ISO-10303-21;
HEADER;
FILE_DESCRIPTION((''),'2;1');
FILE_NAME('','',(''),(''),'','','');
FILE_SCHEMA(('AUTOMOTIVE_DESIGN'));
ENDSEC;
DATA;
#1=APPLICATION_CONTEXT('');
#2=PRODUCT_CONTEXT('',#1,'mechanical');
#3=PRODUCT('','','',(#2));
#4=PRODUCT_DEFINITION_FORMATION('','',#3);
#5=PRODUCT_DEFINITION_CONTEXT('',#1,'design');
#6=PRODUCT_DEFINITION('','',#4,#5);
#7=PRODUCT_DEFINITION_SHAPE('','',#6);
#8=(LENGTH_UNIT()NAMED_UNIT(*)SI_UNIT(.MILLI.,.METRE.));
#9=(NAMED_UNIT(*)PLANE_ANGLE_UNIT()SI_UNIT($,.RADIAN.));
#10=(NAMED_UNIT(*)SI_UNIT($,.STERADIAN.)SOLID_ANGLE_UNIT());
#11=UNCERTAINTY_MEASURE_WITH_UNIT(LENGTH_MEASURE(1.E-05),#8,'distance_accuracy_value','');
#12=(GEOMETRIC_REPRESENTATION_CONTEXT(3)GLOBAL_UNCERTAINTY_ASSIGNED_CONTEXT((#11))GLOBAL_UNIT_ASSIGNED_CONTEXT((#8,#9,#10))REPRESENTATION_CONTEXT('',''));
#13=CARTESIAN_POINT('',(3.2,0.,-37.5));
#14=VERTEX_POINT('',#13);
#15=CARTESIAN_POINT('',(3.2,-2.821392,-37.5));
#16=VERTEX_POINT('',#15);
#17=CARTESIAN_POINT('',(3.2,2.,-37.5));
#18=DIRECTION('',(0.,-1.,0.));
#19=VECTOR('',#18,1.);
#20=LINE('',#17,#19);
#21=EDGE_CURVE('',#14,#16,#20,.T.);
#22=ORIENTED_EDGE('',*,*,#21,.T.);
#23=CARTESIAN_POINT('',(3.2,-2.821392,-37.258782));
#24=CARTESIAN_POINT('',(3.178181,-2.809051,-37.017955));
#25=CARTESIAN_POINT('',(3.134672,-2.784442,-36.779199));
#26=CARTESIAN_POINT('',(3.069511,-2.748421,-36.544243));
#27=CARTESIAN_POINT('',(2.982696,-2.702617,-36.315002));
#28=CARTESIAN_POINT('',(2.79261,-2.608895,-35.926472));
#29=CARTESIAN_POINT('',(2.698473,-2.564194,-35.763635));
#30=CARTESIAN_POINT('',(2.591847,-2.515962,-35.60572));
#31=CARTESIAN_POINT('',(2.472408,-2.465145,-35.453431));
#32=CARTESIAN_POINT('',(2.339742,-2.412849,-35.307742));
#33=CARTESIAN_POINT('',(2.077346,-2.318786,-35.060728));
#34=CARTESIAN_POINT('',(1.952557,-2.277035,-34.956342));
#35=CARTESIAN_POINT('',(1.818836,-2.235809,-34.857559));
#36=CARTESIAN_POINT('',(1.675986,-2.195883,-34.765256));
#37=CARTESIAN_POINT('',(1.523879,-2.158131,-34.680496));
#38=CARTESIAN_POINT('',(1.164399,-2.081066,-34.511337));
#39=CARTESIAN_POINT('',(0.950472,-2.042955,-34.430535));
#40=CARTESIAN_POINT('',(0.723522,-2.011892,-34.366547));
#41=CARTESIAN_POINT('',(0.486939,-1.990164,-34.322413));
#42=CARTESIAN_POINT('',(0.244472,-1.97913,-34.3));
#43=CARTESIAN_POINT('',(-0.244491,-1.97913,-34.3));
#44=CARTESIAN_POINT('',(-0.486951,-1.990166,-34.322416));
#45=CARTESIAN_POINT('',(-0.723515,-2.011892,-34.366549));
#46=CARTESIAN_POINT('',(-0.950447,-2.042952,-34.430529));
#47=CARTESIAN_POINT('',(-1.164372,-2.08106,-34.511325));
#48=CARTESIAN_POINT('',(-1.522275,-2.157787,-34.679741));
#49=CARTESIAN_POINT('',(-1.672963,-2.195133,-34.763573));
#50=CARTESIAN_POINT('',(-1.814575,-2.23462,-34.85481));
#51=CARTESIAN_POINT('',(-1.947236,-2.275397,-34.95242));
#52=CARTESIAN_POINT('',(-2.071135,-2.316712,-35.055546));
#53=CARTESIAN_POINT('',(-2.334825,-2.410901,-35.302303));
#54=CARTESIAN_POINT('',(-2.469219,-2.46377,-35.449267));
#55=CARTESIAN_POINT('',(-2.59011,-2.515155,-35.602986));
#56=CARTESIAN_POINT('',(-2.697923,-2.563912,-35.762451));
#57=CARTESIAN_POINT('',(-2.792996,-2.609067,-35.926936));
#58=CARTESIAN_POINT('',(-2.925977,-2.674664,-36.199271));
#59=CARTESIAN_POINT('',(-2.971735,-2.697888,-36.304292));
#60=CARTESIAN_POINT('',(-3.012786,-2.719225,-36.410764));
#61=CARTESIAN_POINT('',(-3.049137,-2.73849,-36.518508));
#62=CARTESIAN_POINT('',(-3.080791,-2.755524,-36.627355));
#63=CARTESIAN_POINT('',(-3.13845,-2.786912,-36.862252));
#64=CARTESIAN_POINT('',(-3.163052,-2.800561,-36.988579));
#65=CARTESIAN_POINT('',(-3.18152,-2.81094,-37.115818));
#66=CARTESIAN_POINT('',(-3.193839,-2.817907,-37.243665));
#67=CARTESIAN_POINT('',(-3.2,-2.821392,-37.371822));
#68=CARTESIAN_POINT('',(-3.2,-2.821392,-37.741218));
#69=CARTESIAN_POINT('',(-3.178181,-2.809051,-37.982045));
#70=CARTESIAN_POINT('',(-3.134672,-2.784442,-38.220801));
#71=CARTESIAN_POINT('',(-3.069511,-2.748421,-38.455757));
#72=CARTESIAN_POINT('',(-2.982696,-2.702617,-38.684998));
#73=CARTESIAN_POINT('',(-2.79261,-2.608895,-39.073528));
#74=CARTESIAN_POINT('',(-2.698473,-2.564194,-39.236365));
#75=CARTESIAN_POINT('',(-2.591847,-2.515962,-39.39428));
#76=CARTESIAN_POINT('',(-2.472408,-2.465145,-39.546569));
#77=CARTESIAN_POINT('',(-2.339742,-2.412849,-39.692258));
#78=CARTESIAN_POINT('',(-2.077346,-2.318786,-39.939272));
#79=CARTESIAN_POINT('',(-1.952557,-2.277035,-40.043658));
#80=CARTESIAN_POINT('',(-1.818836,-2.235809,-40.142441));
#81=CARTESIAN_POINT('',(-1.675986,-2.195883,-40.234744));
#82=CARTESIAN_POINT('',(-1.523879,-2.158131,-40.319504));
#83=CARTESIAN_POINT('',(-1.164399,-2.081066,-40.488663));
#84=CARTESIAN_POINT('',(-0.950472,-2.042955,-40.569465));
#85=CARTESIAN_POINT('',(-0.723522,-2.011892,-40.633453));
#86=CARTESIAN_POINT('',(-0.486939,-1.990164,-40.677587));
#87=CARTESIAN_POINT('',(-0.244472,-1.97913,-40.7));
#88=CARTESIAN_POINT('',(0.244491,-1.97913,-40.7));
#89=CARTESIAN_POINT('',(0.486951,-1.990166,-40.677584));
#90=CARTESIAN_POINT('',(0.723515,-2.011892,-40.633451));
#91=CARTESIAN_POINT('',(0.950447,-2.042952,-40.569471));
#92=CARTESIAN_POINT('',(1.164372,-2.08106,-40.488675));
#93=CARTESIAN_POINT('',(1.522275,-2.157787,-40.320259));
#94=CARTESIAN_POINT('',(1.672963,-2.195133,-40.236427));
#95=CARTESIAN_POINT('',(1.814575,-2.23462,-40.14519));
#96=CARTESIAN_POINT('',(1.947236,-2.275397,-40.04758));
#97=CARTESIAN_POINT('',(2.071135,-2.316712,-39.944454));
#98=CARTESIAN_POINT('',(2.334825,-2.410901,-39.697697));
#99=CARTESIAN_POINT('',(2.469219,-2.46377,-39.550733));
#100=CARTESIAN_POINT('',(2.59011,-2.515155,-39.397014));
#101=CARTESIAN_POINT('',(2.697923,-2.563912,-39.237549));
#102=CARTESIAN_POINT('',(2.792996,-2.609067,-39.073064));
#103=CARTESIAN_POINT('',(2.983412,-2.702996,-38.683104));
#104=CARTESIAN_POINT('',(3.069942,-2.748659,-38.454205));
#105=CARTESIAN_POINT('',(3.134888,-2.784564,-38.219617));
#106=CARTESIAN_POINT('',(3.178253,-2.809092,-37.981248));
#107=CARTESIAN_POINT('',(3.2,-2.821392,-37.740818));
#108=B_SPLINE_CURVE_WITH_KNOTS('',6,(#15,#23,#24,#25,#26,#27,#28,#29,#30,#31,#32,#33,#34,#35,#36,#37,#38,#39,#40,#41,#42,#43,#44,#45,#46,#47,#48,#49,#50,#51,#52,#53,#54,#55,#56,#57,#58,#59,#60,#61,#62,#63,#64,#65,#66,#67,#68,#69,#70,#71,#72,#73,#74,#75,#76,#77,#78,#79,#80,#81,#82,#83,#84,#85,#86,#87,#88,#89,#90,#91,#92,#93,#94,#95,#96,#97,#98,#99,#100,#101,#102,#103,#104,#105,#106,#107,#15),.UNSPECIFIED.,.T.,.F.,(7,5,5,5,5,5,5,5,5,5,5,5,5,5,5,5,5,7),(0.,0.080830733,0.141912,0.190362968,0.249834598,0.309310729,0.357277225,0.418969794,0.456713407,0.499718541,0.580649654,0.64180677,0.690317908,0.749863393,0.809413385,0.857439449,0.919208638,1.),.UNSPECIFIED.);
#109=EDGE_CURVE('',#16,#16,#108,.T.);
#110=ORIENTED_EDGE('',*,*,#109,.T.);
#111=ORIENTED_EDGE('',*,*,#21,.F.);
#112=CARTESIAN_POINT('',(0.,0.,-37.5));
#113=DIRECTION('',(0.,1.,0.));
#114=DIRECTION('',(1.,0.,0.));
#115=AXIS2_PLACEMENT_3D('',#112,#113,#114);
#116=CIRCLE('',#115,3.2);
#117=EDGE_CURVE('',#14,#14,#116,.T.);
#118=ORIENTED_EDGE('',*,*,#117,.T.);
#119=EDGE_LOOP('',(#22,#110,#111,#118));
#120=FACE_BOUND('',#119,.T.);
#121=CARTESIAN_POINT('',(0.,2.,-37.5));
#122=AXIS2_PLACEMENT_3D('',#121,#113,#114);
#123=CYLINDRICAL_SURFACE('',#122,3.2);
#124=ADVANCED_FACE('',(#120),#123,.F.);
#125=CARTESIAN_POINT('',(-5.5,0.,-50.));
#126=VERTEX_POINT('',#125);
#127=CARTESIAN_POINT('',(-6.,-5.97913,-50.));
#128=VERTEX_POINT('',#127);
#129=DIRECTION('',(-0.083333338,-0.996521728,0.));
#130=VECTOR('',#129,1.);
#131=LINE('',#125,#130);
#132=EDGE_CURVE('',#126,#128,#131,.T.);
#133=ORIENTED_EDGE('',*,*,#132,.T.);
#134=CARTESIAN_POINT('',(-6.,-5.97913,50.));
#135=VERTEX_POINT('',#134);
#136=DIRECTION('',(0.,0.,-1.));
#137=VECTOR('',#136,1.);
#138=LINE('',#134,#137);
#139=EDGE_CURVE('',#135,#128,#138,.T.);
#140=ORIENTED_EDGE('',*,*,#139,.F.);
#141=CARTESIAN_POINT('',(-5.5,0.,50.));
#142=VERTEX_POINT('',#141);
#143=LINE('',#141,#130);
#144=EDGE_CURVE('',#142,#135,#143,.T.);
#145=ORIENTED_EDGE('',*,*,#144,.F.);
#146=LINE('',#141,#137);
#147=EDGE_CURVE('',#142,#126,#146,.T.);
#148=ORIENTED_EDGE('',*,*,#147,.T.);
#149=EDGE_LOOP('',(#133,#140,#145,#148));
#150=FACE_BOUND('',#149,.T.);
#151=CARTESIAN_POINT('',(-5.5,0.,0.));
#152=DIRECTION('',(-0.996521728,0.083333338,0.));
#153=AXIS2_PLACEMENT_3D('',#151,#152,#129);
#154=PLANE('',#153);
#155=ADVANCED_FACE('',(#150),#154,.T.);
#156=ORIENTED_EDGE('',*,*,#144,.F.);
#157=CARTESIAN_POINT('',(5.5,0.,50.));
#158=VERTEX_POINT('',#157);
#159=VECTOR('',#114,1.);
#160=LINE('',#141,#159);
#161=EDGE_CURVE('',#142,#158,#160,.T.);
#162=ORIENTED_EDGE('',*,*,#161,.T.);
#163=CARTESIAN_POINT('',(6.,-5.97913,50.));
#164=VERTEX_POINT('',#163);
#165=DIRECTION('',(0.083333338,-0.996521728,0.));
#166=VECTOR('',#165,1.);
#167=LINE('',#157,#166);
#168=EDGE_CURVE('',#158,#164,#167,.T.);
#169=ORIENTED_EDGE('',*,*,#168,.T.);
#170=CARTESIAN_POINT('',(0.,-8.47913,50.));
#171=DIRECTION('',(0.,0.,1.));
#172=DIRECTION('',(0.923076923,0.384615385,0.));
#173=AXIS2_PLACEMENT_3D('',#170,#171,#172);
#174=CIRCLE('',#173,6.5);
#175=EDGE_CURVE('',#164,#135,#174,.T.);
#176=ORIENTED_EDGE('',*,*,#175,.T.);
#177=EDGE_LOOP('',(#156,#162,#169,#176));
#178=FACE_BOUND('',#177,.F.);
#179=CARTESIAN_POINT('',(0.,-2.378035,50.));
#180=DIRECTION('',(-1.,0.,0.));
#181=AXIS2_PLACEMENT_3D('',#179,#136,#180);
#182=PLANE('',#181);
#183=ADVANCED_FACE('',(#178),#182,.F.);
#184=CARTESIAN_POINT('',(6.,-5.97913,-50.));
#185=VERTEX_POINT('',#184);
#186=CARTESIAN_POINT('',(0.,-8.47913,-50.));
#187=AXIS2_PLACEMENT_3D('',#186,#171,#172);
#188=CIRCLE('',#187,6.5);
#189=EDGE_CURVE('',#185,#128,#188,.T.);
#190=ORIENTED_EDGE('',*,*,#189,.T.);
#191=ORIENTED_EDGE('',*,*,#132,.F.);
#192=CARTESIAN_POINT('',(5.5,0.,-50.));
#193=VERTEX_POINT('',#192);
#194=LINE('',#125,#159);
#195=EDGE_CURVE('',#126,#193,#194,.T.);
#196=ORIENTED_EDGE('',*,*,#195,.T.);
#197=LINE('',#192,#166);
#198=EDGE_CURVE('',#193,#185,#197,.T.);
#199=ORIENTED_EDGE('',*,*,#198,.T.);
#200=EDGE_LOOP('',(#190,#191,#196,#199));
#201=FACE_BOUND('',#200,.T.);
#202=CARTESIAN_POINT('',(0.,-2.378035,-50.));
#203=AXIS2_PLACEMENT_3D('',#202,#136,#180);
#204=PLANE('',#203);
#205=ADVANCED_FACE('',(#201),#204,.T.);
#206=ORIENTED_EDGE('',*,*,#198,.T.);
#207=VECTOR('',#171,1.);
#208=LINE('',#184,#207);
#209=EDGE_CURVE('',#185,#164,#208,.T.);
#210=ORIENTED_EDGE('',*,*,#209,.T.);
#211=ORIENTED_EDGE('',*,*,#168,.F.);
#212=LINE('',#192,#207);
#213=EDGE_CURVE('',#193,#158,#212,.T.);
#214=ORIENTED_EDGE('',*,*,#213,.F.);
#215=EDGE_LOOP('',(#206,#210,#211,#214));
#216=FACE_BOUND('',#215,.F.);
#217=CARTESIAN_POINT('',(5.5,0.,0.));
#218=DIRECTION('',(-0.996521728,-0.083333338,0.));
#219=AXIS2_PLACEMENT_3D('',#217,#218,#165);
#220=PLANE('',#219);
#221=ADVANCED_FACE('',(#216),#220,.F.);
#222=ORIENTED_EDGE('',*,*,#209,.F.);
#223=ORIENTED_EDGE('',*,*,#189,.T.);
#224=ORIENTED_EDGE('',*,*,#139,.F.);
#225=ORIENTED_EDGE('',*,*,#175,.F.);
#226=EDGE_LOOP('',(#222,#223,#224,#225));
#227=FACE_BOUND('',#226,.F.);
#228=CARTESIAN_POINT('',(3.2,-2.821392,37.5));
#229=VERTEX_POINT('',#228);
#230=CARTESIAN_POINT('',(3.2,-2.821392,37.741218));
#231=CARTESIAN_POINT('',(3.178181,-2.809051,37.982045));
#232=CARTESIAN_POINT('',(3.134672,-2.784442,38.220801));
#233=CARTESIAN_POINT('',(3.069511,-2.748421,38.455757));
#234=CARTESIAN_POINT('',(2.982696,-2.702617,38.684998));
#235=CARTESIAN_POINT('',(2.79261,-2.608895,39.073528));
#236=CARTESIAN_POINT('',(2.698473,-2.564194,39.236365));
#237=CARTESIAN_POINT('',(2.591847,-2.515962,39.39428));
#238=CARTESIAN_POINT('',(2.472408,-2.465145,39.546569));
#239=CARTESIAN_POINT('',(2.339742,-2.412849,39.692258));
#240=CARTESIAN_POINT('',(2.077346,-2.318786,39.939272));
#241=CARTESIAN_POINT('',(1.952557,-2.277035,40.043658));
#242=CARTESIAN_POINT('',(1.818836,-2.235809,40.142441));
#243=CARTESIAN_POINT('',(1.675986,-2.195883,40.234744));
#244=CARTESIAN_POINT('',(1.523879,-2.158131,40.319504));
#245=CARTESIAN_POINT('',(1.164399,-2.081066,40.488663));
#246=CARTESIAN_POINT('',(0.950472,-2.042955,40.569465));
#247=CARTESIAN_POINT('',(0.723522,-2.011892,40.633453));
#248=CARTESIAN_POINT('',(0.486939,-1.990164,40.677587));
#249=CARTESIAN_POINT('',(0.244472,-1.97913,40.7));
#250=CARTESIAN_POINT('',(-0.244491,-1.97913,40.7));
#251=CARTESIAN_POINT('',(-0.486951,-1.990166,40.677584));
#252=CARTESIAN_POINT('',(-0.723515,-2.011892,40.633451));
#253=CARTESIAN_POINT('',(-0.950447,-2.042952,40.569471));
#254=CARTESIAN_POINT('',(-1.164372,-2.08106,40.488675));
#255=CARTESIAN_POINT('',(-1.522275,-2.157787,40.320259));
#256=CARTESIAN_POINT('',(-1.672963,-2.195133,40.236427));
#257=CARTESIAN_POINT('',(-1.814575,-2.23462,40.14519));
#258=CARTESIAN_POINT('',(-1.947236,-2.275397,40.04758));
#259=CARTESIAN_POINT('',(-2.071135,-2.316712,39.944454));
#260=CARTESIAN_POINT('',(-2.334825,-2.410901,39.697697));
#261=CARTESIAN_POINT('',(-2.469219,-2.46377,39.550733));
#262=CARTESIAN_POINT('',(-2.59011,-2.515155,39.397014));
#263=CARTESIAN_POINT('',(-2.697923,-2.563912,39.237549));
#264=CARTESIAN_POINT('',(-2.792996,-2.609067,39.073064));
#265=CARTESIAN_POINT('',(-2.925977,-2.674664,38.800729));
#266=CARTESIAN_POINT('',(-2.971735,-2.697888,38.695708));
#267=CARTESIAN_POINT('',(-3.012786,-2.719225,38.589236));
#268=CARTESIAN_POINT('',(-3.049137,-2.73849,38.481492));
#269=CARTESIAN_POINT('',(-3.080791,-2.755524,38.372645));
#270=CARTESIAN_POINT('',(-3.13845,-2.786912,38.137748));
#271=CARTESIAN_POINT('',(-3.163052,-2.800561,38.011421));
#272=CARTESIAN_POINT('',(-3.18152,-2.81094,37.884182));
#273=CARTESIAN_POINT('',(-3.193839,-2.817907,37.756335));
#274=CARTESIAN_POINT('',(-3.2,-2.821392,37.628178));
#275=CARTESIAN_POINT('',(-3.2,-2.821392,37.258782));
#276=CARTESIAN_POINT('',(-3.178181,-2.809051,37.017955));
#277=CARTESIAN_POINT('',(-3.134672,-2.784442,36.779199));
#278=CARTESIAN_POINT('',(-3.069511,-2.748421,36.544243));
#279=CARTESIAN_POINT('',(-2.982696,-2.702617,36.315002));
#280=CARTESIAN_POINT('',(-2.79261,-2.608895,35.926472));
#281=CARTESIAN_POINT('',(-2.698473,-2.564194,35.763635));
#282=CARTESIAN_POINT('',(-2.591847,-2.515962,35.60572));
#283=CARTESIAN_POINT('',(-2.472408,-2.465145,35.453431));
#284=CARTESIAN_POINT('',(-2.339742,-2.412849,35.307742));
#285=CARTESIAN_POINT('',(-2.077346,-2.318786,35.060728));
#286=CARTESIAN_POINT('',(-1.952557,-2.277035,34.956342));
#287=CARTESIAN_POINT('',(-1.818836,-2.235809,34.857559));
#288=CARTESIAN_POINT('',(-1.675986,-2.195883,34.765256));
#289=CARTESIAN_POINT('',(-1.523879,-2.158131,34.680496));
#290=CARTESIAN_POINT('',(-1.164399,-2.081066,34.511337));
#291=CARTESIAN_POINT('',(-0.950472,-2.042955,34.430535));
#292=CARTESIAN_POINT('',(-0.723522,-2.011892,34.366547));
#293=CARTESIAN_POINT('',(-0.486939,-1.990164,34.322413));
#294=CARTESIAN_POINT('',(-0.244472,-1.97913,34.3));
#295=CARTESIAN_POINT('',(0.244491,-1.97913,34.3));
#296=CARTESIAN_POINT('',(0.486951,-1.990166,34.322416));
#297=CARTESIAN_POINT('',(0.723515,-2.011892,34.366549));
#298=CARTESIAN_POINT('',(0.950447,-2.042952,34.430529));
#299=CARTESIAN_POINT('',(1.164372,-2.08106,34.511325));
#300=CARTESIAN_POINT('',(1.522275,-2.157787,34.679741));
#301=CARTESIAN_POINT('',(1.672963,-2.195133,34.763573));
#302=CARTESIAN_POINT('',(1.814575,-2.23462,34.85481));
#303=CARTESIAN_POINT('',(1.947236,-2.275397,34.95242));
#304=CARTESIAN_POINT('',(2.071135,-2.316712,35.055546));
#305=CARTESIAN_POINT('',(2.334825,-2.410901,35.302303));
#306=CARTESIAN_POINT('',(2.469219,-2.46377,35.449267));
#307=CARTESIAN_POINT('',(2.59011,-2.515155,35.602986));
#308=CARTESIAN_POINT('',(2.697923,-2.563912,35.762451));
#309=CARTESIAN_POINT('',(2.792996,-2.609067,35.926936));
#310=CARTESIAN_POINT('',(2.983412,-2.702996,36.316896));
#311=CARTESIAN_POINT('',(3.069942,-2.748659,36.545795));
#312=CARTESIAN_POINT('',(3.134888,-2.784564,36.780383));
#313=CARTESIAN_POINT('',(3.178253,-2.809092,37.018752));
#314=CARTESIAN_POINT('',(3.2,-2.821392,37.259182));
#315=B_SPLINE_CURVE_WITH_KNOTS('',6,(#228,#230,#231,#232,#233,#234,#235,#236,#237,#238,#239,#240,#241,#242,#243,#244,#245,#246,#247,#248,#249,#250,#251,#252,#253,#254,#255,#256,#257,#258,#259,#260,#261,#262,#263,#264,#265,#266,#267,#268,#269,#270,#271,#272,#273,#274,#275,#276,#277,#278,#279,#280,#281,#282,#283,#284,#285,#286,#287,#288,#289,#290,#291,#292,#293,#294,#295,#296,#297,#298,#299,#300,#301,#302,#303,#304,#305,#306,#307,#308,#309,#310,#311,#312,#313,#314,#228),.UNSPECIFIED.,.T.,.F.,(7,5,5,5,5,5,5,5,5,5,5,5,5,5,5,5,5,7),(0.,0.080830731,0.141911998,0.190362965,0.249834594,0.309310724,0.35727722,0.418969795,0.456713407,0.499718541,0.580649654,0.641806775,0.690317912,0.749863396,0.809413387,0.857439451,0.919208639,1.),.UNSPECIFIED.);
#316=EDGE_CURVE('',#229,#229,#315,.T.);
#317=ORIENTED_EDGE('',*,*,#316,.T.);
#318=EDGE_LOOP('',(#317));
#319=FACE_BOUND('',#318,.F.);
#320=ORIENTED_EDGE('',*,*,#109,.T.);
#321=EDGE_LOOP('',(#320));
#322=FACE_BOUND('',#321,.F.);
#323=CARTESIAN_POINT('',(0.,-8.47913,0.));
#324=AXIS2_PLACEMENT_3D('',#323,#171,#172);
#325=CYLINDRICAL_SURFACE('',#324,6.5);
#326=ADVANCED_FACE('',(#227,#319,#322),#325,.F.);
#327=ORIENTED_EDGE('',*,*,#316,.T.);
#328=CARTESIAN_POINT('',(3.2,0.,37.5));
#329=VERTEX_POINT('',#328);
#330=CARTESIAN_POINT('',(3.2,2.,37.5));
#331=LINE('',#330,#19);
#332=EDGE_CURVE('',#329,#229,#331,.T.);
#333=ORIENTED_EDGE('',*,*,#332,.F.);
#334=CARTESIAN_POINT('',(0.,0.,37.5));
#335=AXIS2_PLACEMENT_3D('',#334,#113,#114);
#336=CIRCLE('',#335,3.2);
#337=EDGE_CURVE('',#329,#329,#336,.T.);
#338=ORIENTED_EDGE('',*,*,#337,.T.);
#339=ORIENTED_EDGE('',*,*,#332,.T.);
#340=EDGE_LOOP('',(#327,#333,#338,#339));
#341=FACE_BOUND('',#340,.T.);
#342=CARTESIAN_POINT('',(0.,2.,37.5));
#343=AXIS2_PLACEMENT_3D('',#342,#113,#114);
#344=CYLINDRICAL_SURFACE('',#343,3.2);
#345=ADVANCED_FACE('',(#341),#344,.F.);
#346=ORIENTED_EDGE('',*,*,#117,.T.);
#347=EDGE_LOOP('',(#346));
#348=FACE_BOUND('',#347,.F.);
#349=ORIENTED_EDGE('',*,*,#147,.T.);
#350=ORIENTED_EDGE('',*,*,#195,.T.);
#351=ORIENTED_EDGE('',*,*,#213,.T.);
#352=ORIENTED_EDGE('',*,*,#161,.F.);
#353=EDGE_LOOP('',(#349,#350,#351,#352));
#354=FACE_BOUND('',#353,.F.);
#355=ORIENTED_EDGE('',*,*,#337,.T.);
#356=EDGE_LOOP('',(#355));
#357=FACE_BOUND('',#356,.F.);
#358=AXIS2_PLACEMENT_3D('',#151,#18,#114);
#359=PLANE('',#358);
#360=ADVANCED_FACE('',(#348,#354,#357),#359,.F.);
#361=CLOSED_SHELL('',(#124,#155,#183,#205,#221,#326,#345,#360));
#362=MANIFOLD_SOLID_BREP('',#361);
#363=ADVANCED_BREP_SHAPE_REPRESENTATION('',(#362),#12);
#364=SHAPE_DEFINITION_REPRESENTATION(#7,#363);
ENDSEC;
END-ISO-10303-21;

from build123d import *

# Parameters (mm, degrees)
CYLINDER001_R          = 3.2
CYLINDER001_DEPTH      = 10
CYLINDER001_ROLL_ANGLE = 90
CYLINDER_R             = 3.2
CYLINDER_DEPTH         = 10
CYLINDER_ROLL_ANGLE    = 90
PAD_DEPTH              = 50


with BuildPart() as cylinder001:
    # Cylinder001 → Cylinder001 (new body)
    with BuildSketch(Plane.XY):
        Circle(CYLINDER001_R)
    extrude(amount=CYLINDER001_DEPTH)


with BuildPart() as cylinder001_1:
    # Cylinder001 roll: moved
    add(cylinder001.part.rotate(Axis((0, 0, 0), (1, 0, 0)), CYLINDER001_ROLL_ANGLE))


with BuildPart() as cylinder001_2:
    # Cylinder001 placement: moved
    add(cylinder001_1.part.moved(Location((0, 2, -37.5))))


with BuildPart() as cylinder:
    # Cylinder → Cylinder (new body)
    with BuildSketch(Plane.XY):
        Circle(CYLINDER_R)
    extrude(amount=CYLINDER_DEPTH)


with BuildPart() as cylinder_1:
    # Cylinder roll: moved
    add(cylinder.part.rotate(Axis((0, 0, 0), (1, 0, 0)), CYLINDER_ROLL_ANGLE))


with BuildPart() as cylinder_2:
    # Cylinder placement: moved
    add(cylinder_1.part.moved(Location((0, 2, 37.5))))


with BuildPart() as cut001:
    # Sketch001 → Pad (new body, symmetric)
    with BuildSketch(Plane.XY):
        with BuildLine():
            ThreePointArc((6, -5.97913), (0, -1.97913), (-6, -5.97913))
            Line((-5.5, 0), (-6, -5.97913))
            Line((-5.5, 0), (5.5, 0))
            Line((5.5, 0), (6, -5.97913))
        make_face()
    extrude(amount=PAD_DEPTH, both=True)

    # Cut: cut Cylinder
    add(cylinder_2.part, mode=Mode.SUBTRACT)

    # Cut001: cut Cylinder001
    add(cylinder001_2.part, mode=Mode.SUBTRACT)


solid = cut001.part
